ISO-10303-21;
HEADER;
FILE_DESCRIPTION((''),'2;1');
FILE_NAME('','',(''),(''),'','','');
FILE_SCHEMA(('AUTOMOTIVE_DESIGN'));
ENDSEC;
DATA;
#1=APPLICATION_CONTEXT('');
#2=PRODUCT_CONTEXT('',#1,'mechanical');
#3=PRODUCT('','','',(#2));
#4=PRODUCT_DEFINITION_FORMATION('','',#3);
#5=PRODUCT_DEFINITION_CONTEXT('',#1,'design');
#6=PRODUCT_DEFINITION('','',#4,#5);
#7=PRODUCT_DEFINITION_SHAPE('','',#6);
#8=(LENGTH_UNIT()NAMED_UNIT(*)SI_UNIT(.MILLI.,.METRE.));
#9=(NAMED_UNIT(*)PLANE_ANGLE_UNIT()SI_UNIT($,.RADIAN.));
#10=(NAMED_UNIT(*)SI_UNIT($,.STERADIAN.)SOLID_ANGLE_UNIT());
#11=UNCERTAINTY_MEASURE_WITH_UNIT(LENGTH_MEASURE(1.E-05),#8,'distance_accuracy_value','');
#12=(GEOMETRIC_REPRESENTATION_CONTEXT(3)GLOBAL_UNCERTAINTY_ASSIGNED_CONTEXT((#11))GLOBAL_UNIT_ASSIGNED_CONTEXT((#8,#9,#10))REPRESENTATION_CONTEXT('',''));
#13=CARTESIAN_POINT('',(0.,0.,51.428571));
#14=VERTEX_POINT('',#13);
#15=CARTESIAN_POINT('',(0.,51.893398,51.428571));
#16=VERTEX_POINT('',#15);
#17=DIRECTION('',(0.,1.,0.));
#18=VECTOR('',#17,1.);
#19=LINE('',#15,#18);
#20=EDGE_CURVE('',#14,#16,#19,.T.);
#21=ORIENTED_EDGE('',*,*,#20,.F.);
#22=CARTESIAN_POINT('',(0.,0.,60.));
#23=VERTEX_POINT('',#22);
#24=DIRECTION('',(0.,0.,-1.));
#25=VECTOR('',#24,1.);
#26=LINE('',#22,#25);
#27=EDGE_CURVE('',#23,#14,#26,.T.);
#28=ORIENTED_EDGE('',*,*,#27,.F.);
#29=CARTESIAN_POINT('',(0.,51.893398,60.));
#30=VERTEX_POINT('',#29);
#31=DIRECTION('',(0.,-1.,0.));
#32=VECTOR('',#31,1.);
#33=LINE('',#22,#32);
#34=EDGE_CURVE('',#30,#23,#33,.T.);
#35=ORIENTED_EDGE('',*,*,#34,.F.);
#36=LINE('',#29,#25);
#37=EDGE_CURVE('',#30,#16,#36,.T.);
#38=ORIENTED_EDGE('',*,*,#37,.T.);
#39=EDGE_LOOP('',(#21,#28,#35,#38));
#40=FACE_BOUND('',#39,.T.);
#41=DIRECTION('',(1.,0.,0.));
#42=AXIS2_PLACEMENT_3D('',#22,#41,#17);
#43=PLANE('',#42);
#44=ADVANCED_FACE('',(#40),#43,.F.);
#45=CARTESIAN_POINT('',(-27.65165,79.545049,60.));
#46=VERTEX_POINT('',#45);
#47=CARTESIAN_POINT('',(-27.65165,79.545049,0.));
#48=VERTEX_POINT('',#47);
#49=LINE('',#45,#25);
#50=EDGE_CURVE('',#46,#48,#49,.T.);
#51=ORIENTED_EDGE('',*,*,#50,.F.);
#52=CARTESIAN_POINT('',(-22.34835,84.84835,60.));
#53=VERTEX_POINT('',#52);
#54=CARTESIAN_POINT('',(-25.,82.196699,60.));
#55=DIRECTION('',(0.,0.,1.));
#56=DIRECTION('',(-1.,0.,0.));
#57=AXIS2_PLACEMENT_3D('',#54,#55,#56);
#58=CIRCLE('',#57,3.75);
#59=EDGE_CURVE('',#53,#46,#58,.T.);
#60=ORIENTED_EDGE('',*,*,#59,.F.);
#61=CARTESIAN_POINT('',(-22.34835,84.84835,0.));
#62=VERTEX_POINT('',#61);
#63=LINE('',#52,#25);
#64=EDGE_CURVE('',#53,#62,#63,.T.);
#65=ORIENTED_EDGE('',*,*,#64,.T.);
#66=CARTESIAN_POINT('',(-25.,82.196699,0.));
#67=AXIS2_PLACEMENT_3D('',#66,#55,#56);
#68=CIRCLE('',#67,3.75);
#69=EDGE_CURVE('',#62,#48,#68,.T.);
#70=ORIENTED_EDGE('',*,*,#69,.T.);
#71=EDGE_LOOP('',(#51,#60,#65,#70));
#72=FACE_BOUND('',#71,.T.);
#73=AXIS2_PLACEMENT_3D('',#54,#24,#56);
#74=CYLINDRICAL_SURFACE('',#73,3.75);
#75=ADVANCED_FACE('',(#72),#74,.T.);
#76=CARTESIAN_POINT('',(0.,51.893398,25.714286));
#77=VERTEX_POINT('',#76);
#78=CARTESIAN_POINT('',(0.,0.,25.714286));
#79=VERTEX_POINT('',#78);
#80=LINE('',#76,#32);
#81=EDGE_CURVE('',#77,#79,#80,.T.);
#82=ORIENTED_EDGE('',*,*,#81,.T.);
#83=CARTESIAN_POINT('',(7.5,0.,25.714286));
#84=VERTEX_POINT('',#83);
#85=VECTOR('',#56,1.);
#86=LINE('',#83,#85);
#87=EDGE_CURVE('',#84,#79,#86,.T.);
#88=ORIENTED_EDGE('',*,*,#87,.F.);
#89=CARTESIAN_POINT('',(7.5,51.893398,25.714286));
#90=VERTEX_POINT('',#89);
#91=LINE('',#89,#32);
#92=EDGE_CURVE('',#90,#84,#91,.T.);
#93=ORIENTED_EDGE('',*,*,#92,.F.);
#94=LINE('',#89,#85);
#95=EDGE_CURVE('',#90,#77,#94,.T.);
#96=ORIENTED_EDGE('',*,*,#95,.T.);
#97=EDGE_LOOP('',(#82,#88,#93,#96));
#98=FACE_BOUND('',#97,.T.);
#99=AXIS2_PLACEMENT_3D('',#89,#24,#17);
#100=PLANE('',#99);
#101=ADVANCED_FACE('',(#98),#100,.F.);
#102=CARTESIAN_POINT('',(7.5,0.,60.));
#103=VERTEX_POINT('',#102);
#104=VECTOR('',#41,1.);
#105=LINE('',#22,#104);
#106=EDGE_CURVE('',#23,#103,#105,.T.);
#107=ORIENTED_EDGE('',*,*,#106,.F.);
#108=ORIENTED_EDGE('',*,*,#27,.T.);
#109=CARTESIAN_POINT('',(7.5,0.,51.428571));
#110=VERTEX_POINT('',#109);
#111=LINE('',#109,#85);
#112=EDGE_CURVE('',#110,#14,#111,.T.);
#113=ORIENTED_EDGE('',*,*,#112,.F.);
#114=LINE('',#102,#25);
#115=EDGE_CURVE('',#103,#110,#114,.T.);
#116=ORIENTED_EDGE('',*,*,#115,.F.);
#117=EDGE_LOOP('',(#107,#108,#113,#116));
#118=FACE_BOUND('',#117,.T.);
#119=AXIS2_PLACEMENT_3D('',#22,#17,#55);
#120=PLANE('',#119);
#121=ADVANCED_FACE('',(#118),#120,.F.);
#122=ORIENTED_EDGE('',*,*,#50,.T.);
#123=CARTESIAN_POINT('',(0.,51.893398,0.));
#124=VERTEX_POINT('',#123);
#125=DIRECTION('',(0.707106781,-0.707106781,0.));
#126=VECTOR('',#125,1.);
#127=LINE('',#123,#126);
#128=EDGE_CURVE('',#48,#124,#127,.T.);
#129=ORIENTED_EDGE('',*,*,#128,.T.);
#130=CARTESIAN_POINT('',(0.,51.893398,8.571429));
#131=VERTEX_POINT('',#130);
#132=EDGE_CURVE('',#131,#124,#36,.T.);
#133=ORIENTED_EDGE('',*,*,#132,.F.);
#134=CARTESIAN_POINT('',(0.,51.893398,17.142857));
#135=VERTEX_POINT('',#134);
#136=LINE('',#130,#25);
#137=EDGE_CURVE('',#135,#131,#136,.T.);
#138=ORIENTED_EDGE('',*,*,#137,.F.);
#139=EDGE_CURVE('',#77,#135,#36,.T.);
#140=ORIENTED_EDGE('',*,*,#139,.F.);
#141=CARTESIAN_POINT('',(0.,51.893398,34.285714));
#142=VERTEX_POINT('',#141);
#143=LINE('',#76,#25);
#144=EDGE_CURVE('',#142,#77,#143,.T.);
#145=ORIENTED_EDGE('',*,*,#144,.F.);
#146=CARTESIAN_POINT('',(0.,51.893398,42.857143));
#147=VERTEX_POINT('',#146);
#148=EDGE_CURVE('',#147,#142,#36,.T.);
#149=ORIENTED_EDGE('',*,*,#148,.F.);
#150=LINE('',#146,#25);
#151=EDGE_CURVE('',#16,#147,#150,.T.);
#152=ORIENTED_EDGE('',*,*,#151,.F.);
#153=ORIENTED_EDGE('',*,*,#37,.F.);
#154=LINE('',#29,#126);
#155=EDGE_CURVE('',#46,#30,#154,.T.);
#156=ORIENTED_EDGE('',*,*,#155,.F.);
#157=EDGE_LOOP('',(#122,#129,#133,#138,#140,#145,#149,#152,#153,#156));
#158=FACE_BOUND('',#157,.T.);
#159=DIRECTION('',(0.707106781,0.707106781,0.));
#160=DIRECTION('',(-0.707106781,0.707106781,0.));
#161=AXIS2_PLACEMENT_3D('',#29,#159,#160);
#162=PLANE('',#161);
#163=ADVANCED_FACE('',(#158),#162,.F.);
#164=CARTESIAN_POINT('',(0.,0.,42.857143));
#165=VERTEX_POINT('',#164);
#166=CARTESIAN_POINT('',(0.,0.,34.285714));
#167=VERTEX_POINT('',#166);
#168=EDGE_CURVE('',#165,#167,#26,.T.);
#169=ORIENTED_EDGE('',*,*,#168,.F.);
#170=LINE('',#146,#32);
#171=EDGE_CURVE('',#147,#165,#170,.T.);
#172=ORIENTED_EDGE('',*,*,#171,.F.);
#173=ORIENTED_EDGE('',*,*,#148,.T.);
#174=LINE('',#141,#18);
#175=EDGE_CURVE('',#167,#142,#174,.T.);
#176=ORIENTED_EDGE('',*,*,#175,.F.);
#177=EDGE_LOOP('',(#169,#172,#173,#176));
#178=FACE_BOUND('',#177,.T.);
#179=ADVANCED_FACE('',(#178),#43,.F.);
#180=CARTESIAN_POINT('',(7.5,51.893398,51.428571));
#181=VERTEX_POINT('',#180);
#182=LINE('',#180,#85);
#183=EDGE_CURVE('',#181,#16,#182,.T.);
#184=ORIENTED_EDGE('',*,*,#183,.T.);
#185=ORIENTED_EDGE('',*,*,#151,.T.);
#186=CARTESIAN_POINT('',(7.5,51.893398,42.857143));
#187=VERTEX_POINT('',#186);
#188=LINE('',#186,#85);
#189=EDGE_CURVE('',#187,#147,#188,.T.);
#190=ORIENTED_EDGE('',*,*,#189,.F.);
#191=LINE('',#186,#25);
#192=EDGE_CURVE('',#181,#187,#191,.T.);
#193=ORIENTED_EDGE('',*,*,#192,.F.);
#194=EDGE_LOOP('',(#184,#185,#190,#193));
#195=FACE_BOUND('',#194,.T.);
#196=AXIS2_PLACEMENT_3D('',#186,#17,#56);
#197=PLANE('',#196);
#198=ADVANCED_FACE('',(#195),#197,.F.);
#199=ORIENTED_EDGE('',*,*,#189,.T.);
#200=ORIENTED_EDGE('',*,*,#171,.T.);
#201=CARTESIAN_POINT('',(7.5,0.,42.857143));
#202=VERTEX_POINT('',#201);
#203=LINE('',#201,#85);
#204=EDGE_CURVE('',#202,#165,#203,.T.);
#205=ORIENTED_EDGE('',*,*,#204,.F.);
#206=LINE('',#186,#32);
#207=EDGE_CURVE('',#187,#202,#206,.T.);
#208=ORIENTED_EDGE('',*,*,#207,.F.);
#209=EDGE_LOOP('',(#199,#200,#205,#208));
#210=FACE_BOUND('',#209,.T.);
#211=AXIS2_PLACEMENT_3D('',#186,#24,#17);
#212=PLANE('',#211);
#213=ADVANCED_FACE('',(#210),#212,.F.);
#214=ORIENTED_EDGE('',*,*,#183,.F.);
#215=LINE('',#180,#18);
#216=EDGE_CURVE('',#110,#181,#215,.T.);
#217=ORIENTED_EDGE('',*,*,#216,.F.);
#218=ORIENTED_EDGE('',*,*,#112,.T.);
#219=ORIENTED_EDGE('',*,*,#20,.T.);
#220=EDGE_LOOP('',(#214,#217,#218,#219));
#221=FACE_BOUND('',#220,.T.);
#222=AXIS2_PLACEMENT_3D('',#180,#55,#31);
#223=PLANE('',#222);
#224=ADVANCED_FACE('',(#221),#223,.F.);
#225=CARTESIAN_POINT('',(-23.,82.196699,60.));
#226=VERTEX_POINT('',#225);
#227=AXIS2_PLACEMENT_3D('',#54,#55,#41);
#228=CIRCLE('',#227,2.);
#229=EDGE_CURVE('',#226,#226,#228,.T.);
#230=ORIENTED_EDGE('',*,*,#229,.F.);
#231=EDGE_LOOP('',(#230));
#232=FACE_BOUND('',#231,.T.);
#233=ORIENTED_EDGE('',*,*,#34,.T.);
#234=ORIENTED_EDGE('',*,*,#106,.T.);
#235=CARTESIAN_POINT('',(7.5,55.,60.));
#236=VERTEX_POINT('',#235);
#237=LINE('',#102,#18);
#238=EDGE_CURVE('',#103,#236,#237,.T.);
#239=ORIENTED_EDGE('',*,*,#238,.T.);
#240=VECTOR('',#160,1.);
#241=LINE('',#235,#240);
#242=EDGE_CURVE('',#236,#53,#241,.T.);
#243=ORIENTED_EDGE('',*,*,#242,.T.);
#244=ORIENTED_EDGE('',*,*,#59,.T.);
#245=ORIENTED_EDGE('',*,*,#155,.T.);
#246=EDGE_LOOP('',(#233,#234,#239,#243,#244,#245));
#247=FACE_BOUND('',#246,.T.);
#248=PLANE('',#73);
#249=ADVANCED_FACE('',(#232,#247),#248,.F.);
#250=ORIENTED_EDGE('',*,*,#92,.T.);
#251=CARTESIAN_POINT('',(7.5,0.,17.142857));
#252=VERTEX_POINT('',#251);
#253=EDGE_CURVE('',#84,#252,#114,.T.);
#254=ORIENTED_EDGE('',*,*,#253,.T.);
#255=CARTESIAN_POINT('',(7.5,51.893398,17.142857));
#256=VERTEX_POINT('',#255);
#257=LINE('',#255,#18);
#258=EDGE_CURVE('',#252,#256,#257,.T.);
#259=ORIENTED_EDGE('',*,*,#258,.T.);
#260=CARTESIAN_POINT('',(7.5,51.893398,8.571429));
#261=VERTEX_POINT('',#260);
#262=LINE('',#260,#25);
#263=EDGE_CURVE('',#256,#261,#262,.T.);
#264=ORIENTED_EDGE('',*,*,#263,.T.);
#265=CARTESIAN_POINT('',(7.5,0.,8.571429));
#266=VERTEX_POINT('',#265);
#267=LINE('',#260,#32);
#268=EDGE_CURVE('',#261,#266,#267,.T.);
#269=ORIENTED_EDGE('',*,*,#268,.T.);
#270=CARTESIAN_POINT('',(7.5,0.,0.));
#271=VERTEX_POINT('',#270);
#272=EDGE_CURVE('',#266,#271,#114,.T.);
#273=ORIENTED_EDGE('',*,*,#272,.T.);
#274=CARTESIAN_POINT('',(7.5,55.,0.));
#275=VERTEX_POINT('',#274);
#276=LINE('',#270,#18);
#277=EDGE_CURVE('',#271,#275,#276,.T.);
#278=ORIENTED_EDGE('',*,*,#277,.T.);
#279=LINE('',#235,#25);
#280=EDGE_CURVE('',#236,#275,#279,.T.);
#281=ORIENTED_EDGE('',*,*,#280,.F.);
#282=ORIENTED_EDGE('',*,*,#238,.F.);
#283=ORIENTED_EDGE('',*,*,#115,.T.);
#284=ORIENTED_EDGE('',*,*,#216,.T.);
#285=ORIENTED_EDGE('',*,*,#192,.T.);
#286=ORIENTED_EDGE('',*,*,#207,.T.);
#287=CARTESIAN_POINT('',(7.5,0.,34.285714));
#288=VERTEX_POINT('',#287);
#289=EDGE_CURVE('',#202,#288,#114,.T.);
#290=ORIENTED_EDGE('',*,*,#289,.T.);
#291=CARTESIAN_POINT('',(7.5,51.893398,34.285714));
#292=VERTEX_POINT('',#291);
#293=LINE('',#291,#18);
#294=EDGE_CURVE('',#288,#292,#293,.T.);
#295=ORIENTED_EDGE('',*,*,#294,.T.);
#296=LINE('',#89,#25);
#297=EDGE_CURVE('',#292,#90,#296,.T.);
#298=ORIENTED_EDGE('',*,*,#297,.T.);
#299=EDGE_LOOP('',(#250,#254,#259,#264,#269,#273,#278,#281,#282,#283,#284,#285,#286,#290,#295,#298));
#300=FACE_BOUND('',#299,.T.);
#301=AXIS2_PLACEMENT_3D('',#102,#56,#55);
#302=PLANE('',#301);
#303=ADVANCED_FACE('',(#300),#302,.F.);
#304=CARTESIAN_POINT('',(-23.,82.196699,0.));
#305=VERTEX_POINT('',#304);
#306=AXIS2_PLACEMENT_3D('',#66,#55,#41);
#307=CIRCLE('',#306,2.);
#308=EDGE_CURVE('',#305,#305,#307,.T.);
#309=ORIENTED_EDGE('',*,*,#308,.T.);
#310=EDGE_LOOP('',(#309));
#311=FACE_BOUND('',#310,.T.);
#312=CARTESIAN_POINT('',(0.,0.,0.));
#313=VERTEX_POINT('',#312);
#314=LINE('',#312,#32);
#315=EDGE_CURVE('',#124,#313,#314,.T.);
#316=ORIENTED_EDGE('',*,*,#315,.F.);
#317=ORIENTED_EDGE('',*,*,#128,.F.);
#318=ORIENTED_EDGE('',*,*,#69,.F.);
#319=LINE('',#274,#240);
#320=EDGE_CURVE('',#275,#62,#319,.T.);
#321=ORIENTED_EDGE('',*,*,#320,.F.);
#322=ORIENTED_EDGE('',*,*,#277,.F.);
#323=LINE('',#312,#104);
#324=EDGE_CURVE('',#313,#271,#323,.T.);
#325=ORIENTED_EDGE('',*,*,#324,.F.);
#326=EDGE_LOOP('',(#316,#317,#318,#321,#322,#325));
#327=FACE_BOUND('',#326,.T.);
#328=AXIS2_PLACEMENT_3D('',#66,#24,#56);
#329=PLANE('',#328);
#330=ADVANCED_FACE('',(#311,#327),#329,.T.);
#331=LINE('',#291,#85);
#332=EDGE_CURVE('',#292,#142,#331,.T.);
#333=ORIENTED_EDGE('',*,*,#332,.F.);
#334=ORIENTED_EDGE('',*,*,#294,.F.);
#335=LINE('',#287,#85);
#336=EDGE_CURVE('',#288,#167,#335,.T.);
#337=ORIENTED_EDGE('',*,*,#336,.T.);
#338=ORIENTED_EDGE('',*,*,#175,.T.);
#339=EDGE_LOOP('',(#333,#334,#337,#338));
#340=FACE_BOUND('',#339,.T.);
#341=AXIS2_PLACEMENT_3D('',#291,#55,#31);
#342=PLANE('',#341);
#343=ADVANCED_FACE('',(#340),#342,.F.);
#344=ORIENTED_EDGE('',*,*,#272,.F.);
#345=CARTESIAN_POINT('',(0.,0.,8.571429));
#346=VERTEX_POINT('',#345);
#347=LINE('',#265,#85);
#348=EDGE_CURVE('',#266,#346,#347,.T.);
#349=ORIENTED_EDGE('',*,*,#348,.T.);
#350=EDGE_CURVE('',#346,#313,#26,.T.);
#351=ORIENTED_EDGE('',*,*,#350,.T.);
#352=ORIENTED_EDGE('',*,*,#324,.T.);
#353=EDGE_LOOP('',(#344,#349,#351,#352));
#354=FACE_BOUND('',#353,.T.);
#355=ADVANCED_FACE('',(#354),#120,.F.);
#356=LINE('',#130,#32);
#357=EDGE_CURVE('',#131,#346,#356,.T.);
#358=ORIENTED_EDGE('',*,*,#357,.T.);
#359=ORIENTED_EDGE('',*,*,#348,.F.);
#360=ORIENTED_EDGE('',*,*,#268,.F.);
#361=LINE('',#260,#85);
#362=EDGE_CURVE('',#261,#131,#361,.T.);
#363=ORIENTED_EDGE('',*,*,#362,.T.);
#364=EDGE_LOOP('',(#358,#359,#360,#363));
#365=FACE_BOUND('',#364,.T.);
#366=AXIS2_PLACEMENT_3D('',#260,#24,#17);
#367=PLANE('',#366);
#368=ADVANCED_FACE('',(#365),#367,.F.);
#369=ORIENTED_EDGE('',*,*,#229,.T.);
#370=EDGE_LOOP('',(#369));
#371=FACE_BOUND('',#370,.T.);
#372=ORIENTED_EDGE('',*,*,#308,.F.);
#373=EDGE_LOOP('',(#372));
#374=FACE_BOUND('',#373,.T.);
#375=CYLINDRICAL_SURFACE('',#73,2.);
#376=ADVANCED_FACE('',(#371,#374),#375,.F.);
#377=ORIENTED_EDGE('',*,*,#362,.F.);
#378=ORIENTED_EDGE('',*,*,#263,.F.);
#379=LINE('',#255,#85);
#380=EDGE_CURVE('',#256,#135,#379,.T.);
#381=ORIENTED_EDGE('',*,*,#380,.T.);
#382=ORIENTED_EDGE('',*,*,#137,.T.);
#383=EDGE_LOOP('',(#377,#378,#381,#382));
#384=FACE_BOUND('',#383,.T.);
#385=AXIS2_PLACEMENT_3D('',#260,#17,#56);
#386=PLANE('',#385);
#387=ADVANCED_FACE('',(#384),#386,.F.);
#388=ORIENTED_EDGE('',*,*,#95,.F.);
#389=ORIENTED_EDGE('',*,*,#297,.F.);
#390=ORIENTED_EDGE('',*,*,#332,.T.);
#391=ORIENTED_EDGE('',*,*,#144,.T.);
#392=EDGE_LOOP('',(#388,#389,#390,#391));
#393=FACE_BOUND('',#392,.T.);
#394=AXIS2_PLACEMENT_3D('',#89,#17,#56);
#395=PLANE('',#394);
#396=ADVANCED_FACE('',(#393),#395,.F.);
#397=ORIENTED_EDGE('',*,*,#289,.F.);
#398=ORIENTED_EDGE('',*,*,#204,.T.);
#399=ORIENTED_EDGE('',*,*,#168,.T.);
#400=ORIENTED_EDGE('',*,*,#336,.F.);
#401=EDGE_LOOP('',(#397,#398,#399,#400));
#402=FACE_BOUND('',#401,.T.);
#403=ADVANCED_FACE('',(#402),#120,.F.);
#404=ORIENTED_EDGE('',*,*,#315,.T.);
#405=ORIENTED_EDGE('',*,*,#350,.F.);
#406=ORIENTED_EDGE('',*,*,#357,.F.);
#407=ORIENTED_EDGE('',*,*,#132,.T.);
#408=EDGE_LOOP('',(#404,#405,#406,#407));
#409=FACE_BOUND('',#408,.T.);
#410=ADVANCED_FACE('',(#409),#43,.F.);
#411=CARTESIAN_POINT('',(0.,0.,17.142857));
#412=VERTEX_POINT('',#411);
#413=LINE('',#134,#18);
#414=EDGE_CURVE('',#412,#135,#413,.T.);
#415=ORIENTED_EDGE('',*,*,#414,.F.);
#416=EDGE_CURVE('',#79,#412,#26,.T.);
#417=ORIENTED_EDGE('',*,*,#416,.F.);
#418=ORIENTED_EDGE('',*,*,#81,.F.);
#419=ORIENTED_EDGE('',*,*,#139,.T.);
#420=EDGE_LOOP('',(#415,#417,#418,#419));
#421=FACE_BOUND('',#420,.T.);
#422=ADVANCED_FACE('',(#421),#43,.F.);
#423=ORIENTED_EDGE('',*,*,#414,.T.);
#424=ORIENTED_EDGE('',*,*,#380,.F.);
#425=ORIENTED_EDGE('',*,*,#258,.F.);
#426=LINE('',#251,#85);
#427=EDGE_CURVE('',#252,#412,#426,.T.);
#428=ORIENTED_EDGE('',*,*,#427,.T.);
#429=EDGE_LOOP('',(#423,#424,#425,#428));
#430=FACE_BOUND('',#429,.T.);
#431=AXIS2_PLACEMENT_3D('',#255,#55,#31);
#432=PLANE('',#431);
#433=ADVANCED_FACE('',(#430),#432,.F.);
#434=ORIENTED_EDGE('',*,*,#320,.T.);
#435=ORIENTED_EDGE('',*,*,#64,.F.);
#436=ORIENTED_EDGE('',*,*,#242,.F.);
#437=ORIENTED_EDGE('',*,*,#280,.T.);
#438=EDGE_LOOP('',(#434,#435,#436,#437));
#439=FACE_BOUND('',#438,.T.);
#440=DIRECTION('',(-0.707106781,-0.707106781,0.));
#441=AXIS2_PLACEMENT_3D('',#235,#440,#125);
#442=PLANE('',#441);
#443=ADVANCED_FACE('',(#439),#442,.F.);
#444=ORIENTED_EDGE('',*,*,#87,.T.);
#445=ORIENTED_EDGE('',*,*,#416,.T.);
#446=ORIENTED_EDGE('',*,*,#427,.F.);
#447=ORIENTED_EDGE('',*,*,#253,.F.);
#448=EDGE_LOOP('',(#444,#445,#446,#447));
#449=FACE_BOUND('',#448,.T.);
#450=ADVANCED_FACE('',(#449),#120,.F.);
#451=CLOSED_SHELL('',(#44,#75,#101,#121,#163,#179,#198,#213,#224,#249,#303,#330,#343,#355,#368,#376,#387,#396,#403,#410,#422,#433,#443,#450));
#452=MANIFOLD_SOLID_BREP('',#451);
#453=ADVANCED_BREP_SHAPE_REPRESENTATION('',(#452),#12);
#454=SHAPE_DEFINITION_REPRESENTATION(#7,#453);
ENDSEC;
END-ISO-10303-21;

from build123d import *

# Parameters (mm, degrees)
SKETCH1_R           = 2
BOSS_EXTRUDE1_DEPTH = 60
SKETCH2_W           = 8.571428572
SKETCH2_H           = 51.893398282
CUT_EXTRUDE1_DEPTH  = 8.5


with BuildPart() as part:
    # Sketch1 → Boss-Extrude1 (new body)
    with BuildSketch(Plane.XY):
        with BuildLine():
            Line((0, 0), (0, 51.893398282))
            Line((0, 51.893398282), (-27.651650429, 79.545048712))
            ThreePointArc((-27.651650429, 79.545048712), (-27.651650429, 84.848349571), (-22.348349571, 84.848349571))
            Line((-22.348349571, 84.848349571), (7.5, 55))
            Line((7.5, 55), (7.5, 0))
            Line((7.5, 0), (0, 0))
        make_face()
        with Locations((-25, 82.196699141)):
            Circle(SKETCH1_R, mode=Mode.SUBTRACT)
    extrude(amount=BOSS_EXTRUDE1_DEPTH)

    # Sketch2 → Cut-Extrude1 (cut, through all)
    with BuildSketch(Plane.ZY):
        with Locations((30, 25.946699141)):
            Rectangle(SKETCH2_W, SKETCH2_H)
        with Locations((47.142857143, 25.946699141)):
            Rectangle(SKETCH2_W, SKETCH2_H)
        with Locations((12.857142857, 25.946699141)):
            Rectangle(SKETCH2_W, SKETCH2_H)
    extrude(amount=-CUT_EXTRUDE1_DEPTH, mode=Mode.SUBTRACT)


solid = part.part
